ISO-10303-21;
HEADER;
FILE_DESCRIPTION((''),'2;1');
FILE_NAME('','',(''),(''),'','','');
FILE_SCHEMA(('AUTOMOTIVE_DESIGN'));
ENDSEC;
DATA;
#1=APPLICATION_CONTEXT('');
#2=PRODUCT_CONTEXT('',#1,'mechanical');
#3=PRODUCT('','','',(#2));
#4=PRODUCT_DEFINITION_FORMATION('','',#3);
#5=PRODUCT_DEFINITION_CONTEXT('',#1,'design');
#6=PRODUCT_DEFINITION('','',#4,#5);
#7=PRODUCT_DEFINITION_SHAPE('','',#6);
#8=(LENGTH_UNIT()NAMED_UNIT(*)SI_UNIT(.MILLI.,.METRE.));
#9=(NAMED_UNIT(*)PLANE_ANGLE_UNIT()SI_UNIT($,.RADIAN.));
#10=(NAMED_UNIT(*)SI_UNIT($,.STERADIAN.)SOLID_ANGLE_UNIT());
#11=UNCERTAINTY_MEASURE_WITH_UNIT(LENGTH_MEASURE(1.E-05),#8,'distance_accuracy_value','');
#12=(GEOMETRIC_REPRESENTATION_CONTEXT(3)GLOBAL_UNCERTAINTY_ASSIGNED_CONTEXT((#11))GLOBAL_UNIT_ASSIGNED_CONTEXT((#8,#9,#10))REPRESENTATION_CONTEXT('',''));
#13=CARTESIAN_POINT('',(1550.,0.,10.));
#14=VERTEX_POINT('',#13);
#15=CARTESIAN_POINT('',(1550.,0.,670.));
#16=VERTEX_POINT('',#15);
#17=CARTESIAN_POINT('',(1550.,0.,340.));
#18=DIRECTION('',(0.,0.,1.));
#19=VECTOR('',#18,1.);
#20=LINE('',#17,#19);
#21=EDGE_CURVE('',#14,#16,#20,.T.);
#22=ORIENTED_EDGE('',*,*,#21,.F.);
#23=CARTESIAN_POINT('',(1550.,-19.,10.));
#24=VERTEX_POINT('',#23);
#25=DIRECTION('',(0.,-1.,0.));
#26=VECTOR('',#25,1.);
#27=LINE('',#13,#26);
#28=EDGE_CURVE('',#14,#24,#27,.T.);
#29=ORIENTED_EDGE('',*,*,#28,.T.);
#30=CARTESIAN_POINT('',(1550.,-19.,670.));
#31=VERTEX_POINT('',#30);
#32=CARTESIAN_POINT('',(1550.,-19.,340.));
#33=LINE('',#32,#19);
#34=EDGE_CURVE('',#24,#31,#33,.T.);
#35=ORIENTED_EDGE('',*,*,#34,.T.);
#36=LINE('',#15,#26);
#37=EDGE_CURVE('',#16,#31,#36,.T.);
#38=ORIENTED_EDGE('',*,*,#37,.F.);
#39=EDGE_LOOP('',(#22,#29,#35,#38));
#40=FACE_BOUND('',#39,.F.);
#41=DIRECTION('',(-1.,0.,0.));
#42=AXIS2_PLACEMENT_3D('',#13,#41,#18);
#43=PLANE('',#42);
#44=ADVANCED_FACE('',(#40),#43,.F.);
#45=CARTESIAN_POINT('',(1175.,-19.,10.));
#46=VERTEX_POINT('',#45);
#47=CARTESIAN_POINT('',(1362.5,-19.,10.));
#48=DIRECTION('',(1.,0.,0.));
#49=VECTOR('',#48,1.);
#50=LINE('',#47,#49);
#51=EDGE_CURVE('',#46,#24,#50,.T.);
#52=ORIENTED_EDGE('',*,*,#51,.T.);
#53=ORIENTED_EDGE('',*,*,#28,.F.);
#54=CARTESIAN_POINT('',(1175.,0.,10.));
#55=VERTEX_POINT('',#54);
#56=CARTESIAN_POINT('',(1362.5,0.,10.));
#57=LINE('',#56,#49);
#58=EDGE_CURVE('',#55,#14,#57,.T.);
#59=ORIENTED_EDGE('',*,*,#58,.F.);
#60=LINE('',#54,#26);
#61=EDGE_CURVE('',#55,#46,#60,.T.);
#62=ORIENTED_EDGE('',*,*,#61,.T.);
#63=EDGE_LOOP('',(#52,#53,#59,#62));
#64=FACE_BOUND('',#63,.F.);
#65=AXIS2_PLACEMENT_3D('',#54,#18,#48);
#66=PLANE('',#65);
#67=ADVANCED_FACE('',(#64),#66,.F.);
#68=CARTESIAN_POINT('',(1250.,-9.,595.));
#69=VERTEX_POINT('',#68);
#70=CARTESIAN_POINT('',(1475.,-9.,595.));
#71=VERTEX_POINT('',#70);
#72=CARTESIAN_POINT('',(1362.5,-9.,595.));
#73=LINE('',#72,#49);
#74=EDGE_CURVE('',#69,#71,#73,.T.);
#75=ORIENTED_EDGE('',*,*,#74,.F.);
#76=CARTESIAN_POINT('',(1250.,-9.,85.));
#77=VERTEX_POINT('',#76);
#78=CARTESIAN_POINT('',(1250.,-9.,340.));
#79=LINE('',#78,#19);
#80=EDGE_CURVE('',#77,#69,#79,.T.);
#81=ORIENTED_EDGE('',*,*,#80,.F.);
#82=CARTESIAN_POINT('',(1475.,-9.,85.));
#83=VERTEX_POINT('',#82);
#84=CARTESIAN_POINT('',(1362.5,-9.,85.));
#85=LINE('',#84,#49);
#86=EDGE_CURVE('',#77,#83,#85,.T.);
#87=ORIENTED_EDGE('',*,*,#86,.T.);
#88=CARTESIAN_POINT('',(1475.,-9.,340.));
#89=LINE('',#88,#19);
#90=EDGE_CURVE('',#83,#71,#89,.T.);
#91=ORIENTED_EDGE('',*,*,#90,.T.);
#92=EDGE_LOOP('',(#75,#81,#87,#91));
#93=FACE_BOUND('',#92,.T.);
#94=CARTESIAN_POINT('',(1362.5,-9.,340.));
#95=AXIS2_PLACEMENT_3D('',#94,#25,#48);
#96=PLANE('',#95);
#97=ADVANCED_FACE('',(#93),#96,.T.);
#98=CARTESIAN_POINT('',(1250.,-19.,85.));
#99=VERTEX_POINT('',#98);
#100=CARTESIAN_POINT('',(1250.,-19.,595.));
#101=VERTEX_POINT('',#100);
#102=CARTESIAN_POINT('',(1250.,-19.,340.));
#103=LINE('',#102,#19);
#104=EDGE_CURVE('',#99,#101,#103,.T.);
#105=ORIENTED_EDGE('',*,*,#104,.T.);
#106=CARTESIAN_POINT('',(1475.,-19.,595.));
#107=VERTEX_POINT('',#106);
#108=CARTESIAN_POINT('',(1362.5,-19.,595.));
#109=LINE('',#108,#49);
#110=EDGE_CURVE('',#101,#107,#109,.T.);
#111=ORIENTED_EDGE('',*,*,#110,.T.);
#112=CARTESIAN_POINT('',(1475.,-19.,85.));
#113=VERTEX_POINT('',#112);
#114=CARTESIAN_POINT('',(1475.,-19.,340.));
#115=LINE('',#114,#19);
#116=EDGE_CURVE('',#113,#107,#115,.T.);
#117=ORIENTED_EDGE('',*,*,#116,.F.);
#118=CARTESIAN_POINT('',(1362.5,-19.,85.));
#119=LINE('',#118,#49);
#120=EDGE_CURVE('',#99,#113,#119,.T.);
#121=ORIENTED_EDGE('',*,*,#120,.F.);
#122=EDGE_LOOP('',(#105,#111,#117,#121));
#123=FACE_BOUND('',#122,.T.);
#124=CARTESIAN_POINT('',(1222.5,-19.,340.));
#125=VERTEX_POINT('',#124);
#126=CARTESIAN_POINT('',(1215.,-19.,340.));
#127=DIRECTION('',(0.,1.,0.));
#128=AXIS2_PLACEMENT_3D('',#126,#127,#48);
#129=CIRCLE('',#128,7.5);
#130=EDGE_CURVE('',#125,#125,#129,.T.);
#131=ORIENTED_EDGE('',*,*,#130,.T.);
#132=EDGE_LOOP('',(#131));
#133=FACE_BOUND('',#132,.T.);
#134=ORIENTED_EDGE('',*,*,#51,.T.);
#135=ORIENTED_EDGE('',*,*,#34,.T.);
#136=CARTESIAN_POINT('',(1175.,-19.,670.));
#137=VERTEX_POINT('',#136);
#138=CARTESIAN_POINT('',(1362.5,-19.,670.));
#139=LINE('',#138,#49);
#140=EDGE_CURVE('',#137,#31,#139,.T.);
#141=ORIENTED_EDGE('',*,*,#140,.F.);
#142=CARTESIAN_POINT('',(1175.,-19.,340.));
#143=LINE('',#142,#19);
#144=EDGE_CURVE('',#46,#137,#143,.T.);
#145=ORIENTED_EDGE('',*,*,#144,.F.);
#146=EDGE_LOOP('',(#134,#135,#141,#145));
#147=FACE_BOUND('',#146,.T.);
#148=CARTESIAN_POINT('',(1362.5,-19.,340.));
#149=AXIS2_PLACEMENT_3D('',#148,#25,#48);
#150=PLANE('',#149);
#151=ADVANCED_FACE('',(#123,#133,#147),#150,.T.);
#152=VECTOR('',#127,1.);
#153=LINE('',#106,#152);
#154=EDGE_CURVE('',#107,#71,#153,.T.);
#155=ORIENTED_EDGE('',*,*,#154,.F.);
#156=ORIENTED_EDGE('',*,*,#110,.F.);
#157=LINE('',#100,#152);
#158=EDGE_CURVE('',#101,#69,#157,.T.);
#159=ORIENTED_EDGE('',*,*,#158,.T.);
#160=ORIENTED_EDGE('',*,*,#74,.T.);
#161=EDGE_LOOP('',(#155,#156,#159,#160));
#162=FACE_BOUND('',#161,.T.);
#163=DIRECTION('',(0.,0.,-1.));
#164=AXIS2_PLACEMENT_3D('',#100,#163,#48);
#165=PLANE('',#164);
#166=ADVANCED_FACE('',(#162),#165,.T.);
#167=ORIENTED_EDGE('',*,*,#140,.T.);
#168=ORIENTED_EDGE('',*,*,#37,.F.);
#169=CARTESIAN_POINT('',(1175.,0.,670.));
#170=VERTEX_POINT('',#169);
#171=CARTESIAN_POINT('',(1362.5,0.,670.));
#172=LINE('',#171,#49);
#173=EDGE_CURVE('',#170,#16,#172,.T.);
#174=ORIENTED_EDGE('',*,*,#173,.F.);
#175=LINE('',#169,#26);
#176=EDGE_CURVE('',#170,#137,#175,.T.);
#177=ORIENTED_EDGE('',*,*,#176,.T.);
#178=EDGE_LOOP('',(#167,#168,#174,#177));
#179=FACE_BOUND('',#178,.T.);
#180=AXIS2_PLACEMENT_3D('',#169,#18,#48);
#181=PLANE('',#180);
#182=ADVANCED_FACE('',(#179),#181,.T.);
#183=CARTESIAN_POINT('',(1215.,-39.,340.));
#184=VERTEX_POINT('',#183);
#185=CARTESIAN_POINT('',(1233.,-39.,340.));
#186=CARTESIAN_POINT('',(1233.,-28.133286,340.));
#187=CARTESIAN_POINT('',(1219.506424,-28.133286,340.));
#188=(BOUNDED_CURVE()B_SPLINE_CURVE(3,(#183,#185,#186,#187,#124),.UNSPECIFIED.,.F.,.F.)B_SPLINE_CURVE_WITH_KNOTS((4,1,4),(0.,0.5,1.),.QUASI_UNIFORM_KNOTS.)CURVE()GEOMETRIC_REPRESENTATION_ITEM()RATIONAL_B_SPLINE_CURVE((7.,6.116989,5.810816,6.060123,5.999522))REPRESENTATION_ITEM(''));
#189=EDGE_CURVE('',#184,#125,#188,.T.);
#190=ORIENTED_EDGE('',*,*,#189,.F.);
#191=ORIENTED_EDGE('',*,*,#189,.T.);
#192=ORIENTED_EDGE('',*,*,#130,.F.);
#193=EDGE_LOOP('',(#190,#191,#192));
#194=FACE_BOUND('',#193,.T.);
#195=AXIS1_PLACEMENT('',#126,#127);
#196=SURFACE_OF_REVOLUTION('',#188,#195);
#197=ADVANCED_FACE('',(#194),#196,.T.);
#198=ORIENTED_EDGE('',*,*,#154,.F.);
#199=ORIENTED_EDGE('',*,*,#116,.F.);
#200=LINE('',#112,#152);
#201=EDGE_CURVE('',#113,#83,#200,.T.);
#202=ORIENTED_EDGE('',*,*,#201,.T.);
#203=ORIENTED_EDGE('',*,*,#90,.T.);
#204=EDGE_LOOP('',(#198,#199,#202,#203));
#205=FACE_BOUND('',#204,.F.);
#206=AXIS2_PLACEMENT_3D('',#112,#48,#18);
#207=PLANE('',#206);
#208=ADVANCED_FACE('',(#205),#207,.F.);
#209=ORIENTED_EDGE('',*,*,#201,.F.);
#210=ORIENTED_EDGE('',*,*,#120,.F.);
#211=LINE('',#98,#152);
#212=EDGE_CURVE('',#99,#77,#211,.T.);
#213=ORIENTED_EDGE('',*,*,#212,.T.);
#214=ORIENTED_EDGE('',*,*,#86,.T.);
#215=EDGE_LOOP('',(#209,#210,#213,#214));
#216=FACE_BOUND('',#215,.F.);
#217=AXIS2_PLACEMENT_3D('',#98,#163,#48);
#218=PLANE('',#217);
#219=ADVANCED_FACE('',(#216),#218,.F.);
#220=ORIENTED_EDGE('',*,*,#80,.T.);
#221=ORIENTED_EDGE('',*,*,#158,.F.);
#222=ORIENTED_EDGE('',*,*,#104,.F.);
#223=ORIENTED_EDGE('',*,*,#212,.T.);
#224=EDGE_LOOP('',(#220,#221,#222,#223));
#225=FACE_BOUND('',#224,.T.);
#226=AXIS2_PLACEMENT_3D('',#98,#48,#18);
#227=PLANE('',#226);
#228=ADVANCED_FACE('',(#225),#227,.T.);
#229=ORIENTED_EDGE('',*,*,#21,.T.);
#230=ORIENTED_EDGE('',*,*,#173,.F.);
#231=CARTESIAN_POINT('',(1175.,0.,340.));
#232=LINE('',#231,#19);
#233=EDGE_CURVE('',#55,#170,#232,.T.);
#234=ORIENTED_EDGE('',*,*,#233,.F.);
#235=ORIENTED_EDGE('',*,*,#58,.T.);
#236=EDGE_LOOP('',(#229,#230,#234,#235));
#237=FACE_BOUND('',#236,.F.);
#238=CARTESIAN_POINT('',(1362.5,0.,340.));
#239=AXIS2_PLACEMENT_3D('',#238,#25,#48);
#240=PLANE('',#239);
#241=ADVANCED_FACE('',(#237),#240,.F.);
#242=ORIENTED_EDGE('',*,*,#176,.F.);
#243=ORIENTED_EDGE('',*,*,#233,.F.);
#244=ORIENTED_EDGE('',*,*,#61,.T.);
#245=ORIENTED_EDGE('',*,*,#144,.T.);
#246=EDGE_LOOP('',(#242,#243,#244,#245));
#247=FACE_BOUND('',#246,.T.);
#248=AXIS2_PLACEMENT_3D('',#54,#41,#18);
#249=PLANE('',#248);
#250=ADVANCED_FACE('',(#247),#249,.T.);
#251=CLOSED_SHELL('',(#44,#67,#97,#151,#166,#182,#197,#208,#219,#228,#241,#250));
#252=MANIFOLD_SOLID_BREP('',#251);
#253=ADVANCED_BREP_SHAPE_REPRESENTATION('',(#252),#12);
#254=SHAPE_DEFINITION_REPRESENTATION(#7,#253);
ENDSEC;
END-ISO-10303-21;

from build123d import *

# Parameters (mm, degrees)
CLONE2D002_W    = 375
CLONE2D002_H    = 660
PAD011_DEPTH    = 19
SKETCH027_W     = 225
SKETCH027_H     = 510
POCKET011_DEPTH = 10


with BuildPart() as part:
    # Clone2D002 → Pad011 (new body)
    with BuildSketch(Plane.XZ):
        with Locations((187.5, 330)):
            Rectangle(CLONE2D002_W, CLONE2D002_H)
    extrude(amount=PAD011_DEPTH)

    # Sketch027 (on Face6 of Pad011) → Pocket011 (cut)
    with BuildSketch(Plane.XZ.offset(19)):
        with Locations((187.5, 330)):
            Rectangle(SKETCH027_W, SKETCH027_H)
    extrude(amount=-POCKET011_DEPTH, mode=Mode.SUBTRACT)

    # Clone2D003 (on Face1 of Pocket011) → Revolution001 (revolve)
    with BuildSketch(Plane(origin=(40, -19, 330), x_dir=(-1, 0, 0), z_dir=(0, 0, -1))):
        with BuildLine():
            Line((0, 0), (0, -20))
            add(Edge.make_bspline(
                [(0, -20), (-18, -20), (-18, -9.133286), (-4.506424, -9.133286), (-7.5, 0)],
                knots=[0, 0, 0, 0, 0.5, 1, 1, 1, 1], degree=3, weights=[7, 6.116989, 5.810816, 6.060123, 5.999522]))
            Line((-7.5, 0), (0, 0))
        make_face()
    revolve(axis=Axis((40, -19, 330), (0, 1, 0)))


with BuildPart() as part_1:
    # Body011 placement: moved
    add(part.part.moved(Location((1175, 0, 10))))


solid = part_1.part
